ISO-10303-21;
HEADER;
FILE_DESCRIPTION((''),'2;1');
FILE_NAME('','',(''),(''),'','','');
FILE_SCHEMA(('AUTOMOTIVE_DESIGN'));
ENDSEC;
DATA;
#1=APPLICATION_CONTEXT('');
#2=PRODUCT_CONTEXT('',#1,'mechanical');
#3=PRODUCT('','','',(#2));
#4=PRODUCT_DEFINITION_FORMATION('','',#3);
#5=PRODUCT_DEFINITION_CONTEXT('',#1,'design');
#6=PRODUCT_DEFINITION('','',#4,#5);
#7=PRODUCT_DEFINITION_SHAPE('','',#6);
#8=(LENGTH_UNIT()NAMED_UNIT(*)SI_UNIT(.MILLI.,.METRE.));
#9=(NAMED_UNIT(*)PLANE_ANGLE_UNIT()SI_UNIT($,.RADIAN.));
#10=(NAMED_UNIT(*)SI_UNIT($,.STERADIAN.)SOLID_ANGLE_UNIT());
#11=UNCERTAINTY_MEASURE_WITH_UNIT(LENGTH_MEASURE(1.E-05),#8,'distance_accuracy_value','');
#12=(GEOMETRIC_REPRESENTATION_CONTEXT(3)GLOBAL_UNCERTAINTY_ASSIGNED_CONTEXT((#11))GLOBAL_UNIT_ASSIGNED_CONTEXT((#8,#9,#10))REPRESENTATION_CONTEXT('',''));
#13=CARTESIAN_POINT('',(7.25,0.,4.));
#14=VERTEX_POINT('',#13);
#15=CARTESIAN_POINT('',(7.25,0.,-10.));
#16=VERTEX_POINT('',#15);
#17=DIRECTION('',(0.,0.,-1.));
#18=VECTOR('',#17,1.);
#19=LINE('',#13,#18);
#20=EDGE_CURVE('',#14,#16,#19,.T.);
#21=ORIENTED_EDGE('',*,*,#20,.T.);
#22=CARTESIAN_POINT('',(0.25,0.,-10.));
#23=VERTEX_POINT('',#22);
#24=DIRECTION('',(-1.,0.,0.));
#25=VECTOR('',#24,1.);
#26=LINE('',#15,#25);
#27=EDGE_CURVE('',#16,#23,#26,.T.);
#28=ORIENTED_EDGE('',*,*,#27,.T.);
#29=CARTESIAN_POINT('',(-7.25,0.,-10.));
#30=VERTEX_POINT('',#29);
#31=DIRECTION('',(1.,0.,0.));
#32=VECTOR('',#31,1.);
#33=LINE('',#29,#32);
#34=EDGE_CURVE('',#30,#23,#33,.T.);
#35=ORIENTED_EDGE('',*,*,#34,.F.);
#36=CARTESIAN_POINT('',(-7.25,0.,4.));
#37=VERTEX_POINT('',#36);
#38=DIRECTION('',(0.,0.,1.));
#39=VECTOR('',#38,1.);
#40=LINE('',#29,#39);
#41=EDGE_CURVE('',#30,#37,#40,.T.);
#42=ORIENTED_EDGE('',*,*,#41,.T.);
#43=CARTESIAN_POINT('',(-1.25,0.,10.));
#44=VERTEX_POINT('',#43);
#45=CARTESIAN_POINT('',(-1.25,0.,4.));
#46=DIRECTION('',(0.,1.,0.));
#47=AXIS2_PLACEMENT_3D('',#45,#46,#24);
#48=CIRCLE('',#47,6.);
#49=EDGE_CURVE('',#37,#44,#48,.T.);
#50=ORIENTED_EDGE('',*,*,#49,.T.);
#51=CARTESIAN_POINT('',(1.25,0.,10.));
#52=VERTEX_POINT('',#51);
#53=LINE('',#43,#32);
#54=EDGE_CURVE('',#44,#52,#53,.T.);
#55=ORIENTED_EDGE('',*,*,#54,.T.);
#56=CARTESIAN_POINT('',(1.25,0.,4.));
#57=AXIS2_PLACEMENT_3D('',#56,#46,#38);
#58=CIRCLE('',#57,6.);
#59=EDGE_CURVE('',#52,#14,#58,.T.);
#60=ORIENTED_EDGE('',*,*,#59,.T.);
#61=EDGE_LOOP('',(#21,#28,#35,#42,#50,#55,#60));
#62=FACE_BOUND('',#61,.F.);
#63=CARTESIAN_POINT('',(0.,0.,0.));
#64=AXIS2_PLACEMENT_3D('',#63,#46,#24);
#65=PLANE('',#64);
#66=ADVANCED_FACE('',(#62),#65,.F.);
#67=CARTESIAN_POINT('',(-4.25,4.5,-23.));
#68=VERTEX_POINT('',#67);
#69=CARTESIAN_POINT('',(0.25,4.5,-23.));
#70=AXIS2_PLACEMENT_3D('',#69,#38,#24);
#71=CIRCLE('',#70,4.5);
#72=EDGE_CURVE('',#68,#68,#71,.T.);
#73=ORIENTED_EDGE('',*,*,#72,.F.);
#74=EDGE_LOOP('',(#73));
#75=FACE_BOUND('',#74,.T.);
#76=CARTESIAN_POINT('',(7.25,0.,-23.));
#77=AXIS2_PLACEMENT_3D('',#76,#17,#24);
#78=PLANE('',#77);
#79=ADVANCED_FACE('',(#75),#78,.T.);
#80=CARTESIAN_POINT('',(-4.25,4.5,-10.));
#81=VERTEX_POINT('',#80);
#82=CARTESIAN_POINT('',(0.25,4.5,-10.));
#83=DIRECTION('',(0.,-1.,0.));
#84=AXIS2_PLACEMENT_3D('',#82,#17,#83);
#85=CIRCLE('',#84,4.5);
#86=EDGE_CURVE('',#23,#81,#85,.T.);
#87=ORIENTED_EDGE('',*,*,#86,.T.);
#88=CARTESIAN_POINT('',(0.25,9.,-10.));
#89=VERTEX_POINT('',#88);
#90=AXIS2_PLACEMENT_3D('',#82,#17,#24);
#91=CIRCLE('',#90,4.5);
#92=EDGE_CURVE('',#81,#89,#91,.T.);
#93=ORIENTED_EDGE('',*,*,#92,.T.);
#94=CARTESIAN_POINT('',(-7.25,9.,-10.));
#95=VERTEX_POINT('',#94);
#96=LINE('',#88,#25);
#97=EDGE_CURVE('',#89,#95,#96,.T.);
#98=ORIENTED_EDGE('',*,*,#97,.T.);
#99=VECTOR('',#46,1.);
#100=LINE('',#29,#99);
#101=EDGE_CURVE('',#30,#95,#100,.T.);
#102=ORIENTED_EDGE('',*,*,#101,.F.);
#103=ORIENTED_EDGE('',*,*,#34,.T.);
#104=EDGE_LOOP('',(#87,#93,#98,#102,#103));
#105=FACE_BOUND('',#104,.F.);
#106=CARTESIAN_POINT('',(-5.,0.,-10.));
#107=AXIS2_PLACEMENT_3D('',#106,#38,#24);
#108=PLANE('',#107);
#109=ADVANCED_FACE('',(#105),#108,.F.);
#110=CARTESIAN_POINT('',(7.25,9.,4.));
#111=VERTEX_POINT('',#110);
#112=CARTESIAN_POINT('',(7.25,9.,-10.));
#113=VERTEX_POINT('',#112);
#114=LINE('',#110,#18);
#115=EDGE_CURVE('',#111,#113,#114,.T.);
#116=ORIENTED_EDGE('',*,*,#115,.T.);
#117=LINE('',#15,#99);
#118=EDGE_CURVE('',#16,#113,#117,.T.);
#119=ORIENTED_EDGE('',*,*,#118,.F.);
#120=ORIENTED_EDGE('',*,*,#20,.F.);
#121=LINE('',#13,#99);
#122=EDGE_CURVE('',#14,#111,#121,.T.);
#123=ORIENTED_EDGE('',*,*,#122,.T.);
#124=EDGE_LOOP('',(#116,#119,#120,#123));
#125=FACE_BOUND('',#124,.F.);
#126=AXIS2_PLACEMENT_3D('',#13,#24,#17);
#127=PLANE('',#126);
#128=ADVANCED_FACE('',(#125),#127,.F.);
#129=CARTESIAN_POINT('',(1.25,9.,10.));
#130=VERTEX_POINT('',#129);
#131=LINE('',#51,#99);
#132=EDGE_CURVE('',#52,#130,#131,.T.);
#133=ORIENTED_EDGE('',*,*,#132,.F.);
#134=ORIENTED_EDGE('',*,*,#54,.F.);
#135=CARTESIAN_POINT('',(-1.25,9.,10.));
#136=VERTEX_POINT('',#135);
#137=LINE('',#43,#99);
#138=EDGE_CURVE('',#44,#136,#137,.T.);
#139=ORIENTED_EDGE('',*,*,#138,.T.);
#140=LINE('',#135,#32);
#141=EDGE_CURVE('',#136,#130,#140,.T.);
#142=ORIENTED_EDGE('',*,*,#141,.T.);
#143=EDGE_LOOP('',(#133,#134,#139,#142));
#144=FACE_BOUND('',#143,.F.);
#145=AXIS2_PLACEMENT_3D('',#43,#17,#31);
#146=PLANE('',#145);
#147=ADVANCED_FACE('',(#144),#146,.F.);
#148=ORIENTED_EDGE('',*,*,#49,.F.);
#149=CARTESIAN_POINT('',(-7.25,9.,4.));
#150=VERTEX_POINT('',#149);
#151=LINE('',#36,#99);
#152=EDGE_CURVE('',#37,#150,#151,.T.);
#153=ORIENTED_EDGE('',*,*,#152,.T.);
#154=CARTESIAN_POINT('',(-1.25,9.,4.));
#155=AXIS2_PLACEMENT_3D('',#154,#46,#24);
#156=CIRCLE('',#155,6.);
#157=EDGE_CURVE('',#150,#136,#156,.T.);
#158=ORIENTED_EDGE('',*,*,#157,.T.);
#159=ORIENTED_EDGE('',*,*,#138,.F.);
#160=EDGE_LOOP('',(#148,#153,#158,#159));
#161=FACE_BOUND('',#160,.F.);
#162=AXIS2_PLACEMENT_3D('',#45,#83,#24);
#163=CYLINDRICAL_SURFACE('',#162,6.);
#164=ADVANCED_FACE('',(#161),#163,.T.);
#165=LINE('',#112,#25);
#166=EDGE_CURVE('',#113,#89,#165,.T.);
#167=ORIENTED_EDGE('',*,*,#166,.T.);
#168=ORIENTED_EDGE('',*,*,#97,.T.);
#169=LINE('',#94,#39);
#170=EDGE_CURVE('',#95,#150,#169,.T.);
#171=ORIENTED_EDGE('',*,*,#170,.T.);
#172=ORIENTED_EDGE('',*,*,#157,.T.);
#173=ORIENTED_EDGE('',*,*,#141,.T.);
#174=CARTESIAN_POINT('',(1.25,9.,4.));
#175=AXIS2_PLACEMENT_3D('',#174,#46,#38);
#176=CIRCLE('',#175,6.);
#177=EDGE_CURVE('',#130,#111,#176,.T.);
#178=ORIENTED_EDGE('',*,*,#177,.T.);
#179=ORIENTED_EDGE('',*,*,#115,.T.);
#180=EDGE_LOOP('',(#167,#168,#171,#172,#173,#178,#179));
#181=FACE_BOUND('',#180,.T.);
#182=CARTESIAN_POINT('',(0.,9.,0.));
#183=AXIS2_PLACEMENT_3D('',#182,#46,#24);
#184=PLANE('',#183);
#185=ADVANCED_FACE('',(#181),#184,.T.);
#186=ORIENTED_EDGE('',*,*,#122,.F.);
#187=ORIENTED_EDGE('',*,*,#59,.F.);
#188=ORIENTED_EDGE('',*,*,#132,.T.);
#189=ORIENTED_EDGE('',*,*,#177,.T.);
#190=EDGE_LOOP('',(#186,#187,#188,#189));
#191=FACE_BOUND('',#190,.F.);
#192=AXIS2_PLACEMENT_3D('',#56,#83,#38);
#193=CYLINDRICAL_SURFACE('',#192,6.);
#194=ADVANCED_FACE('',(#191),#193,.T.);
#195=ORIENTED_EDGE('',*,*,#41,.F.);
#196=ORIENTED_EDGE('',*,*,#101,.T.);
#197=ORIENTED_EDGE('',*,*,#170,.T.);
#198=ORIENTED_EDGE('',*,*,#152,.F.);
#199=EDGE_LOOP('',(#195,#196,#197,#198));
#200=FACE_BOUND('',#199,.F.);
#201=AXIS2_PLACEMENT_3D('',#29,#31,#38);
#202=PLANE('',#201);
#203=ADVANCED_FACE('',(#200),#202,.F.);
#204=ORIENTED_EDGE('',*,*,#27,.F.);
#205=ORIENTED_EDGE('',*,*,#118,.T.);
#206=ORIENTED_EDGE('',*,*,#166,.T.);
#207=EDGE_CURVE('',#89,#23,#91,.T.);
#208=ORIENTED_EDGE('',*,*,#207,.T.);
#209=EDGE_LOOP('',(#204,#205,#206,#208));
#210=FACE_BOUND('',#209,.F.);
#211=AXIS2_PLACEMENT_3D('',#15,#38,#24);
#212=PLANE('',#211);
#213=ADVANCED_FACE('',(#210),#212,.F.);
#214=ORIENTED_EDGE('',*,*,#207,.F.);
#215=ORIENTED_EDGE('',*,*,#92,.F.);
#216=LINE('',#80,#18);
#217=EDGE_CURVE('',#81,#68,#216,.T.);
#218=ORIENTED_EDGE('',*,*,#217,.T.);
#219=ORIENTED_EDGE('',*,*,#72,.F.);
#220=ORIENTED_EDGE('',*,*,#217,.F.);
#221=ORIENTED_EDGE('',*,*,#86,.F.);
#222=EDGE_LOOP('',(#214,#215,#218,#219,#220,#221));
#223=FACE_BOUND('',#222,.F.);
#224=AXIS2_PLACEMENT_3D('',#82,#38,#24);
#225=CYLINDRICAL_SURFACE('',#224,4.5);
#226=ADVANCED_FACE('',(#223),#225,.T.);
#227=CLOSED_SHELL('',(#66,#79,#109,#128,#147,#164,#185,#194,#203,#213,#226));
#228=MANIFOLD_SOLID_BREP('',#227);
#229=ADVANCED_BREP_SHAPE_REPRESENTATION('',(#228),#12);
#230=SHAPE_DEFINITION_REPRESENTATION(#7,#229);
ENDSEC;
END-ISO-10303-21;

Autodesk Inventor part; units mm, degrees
ref_plane "YZ Plane" through (0, 0, 0) normal (1, 0, 0) x (0, 1, 0)
ref_plane "XZ Plane" through (0, 0, 0) normal (0, 1, 0) x (-1, 0, 0)
ref_plane "XY Plane" through (0, 0, 0) normal (0, 0, 1) x (1, 0, 0)
sketch "Эскиз1" plane through (0, 0, 0) normal (0, 1, 0) x (-1, 0, 0)
  line L0 (-7.25, -10) -> (7.25, -10)
  line L1 (7.25, -10) -> (7.25, 4)
  line L2 (1.25, 10) -> (-1.25, 10)
  line L3 (-7.25, 4) -> (-7.25, -10)
  line L4 (-7.25, -10) -> (7.25, 10) construction
  line L5 (7.25, -10) -> (-7.25, 10) construction
  arc A0 (7.25, 4) -> (1.25, 10) centre (1.25, 4) ccw
  arc A1 (-1.25, 10) -> (-7.25, 4) centre (-1.25, 4) ccw
  line L6 (0, -10) -> (5, -10)
  point P0 (0, 0)
  dimension "d0" = 14.5
  dimension "d1" = 20
  dimension "d2" = 6
  dimension "d3" = 6
extrude "Выдавливание1" add sketch "Эскиз1" along normal blind 9
sketch "Эскиз3" plane through (7.25, 0, -10) normal (0, 0, -1) x (-1, 0, 0)
  line L0 (0, 0) -> (0, 9) projected
  line L1 (14.5, 0) -> (8.5, 0) projected
  line L2 (0, 9) -> (14.5, 9)
  line L3 (14.5, 9) -> (14.5, 0)
  line L4 (14.5, 0) -> (0, 0)
  line L5 (0, 0) -> (0, 9)
  circle A0 centre (7, 4.5) radius 4.5
  point P0 (7.25, 0)
  dimension "d11" = 9
  dimension "d12" = 4.5
extrude "Выдавливание3" add sketch "Эскиз3" along normal blind 13 contours A0
properties part number "moroshenka"
